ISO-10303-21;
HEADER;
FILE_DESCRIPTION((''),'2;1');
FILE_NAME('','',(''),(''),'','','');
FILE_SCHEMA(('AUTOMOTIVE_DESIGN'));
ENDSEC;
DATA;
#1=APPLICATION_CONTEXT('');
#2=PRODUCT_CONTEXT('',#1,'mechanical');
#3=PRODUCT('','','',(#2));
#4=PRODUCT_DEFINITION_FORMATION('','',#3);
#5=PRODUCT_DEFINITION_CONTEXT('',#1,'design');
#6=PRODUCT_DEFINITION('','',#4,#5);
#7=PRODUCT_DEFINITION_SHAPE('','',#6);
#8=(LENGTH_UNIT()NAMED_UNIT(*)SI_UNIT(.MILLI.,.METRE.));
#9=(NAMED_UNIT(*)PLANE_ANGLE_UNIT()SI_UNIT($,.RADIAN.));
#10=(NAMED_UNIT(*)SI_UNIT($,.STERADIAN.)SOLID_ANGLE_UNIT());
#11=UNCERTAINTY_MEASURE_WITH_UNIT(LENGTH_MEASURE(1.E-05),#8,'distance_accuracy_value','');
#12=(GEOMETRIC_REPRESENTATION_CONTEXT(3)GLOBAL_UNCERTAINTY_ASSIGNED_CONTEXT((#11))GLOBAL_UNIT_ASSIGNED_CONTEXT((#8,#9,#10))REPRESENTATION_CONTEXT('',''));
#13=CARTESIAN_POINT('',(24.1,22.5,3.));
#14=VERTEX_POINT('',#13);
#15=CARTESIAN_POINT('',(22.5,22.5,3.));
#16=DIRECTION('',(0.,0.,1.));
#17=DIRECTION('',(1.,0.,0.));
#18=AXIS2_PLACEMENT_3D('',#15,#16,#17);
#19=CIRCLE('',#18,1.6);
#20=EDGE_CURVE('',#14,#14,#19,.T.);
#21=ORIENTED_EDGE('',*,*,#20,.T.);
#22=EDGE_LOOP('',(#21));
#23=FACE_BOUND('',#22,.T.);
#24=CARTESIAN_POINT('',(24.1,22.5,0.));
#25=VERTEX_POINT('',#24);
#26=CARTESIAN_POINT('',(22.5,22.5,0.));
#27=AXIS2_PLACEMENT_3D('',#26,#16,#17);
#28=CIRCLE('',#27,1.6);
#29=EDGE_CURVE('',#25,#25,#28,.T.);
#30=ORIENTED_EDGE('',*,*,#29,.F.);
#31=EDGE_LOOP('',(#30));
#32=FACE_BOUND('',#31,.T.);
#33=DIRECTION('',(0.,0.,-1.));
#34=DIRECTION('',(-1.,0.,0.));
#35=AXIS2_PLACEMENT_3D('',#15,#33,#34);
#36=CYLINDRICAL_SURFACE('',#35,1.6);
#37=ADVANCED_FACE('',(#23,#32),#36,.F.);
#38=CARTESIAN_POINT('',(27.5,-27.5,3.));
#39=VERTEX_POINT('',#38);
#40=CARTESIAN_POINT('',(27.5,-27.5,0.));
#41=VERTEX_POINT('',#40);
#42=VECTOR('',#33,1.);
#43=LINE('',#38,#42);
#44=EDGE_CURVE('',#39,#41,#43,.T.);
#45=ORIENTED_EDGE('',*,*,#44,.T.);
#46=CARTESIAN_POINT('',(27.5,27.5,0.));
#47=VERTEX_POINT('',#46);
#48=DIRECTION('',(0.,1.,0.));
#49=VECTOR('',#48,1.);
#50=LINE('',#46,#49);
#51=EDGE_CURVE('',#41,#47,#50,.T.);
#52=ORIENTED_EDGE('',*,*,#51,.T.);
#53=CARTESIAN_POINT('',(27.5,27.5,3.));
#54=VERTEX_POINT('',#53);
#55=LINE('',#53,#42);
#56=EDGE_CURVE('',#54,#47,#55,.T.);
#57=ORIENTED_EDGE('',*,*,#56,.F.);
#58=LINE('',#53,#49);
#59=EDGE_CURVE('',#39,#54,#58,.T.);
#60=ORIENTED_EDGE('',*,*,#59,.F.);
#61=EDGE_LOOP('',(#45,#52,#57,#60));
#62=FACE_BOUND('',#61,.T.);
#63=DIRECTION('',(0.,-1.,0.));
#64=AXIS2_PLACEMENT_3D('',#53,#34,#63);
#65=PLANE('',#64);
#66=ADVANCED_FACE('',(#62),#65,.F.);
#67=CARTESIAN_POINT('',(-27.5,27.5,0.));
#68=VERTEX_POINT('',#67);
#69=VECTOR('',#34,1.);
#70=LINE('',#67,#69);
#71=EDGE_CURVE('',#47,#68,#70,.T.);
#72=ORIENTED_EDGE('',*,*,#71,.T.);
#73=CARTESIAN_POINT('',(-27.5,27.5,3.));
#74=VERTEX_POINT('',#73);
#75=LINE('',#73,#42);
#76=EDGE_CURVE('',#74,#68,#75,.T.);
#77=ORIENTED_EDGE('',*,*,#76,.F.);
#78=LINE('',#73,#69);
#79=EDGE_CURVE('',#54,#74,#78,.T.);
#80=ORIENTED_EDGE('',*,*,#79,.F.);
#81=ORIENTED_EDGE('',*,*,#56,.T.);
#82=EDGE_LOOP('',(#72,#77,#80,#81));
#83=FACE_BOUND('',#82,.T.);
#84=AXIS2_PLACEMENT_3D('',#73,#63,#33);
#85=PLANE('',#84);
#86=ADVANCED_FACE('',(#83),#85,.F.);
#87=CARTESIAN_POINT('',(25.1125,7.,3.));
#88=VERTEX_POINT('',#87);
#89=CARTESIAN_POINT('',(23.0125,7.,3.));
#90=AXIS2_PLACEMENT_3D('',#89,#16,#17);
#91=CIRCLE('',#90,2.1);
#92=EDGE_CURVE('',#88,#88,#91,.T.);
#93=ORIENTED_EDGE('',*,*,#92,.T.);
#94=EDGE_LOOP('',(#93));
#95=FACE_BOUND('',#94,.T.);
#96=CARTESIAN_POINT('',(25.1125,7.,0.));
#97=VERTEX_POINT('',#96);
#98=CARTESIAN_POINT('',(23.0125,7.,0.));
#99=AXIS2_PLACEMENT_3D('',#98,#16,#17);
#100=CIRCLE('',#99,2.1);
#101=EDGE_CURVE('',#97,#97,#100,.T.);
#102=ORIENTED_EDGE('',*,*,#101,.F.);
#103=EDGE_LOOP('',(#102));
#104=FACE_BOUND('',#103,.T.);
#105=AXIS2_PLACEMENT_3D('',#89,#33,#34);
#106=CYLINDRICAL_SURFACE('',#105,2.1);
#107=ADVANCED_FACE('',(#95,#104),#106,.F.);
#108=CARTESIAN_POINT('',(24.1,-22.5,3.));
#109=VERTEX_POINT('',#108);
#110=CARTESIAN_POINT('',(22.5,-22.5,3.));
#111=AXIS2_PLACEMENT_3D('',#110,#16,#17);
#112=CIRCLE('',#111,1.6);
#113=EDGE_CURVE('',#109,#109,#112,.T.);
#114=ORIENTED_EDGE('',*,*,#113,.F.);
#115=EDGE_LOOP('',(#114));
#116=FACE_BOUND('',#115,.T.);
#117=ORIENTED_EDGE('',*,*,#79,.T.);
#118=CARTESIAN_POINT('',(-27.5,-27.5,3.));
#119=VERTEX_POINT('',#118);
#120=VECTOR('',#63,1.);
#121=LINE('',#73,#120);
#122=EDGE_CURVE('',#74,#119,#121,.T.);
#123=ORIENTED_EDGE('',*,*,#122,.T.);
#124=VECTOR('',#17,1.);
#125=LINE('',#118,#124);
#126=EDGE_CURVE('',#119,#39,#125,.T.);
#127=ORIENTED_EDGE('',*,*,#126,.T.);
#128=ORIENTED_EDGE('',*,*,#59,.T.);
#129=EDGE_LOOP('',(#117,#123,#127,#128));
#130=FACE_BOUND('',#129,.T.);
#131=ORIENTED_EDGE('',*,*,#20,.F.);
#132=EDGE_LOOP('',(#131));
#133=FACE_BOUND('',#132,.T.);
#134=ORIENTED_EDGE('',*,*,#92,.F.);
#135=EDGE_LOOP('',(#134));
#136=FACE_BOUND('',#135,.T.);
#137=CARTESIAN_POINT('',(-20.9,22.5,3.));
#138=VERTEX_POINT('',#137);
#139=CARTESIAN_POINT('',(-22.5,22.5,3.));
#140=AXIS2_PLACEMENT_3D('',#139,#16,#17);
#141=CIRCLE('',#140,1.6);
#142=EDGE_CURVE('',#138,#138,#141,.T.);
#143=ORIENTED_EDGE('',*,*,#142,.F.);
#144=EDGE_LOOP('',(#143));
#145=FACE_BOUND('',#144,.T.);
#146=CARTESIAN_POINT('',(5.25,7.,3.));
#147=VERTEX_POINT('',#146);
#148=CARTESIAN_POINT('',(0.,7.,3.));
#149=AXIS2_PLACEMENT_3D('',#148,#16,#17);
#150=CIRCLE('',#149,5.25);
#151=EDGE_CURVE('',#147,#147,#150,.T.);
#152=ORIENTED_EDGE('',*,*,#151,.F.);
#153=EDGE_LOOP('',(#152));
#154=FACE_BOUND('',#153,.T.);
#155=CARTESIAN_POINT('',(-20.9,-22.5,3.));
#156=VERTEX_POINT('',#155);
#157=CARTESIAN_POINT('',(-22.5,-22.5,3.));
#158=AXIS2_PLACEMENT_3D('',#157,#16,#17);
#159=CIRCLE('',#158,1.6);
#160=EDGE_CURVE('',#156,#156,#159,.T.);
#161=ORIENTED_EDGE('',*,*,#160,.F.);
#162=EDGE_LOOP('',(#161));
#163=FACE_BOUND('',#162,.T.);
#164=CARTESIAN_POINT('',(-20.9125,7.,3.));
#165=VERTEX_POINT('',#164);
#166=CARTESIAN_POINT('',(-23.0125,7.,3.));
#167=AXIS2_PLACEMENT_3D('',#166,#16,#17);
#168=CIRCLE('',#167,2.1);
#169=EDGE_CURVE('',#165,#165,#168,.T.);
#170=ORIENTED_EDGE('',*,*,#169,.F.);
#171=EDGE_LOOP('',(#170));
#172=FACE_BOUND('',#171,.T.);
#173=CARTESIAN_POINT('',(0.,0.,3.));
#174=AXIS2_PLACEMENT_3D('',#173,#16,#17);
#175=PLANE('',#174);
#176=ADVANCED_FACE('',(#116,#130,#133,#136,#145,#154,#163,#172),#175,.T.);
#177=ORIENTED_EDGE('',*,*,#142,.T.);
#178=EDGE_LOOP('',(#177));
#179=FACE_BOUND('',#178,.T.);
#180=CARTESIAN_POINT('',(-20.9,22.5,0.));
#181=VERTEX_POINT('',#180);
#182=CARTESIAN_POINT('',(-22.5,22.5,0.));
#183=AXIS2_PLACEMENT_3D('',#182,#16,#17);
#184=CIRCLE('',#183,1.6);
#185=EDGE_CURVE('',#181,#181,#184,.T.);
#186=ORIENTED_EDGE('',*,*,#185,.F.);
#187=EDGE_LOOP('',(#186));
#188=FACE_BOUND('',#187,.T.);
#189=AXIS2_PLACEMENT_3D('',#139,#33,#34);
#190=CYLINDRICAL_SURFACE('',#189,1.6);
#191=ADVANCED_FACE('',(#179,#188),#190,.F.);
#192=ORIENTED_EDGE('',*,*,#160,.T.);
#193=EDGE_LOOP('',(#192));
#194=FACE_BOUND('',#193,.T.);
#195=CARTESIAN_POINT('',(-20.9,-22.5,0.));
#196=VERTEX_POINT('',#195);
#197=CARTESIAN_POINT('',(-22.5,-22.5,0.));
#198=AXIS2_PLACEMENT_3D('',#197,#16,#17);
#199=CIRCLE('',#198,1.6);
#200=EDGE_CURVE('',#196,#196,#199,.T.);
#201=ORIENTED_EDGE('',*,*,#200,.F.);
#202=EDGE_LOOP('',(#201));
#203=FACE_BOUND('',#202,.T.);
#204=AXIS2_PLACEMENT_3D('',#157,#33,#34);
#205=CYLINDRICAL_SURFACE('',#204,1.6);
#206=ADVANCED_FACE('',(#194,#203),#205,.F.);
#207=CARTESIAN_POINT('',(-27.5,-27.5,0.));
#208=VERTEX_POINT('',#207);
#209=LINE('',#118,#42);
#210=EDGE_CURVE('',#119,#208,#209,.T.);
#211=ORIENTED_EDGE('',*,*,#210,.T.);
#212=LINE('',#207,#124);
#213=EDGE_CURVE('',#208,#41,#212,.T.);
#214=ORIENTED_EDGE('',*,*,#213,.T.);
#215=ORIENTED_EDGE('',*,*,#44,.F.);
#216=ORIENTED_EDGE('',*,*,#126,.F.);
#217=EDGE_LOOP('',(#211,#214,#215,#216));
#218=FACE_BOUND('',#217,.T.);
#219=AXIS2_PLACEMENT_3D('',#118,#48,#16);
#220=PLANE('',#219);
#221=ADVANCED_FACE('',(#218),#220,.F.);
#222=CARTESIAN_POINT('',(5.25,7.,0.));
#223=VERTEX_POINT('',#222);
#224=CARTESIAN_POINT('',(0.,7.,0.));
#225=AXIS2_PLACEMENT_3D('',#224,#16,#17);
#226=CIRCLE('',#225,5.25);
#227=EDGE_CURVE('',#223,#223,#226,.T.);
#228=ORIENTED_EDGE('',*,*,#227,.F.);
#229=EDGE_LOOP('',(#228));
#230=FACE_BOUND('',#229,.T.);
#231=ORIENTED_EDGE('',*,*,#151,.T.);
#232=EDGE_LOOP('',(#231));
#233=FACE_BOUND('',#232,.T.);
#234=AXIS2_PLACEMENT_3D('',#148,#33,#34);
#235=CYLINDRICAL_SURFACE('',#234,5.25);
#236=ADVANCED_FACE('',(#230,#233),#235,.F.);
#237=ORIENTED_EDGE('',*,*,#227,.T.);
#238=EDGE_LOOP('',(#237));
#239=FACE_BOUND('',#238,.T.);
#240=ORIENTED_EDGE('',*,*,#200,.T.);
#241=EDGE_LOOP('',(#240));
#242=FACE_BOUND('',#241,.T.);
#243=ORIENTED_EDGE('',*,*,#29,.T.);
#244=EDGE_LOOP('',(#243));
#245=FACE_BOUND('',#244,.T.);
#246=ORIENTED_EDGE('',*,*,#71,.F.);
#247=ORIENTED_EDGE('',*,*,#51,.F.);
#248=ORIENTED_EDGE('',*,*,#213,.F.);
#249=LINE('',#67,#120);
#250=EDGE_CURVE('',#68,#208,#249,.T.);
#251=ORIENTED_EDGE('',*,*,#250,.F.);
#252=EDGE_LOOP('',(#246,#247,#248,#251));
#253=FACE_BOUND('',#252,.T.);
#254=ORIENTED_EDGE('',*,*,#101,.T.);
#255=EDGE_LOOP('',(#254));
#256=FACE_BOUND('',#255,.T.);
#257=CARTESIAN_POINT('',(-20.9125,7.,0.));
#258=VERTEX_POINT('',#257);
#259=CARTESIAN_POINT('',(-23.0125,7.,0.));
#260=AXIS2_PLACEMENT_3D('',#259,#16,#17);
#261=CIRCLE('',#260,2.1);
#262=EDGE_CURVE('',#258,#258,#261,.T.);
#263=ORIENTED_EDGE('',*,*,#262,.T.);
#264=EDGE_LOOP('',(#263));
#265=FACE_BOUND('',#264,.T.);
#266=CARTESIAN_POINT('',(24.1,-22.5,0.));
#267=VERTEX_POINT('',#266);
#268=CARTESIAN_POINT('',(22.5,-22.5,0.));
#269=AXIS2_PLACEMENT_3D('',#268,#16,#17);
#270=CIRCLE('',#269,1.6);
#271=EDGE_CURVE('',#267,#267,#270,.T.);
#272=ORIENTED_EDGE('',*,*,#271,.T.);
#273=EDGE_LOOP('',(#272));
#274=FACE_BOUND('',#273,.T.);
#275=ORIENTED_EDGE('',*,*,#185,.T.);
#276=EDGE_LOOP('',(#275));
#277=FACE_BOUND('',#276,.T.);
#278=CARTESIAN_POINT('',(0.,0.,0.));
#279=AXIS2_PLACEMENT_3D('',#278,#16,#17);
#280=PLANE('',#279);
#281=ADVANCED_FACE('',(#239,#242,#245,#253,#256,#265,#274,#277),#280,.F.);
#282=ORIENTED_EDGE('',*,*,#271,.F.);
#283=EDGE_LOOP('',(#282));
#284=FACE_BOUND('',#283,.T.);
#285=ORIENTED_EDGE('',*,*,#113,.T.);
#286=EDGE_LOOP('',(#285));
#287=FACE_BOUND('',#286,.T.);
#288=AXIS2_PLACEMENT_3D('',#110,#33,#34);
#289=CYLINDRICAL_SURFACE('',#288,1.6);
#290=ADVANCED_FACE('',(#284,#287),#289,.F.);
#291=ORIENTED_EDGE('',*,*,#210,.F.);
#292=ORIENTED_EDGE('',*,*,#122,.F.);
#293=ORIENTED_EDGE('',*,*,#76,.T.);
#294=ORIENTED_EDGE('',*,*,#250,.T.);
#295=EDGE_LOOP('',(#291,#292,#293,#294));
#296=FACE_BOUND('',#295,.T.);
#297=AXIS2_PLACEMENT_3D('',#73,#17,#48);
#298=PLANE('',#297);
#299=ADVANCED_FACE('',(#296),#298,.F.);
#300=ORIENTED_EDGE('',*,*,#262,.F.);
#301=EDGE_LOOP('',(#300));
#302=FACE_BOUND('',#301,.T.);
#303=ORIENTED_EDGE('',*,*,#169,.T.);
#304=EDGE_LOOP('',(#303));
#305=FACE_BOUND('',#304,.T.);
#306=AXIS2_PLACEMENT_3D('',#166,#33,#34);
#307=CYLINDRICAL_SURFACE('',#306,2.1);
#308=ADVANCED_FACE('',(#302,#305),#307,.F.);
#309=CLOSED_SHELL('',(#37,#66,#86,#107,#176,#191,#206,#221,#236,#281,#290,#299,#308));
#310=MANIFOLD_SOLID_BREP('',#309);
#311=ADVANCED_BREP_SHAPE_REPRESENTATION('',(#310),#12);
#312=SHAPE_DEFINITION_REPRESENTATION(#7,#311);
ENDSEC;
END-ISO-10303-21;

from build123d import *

# Parameters (mm, degrees)
SKETCH_1_W      = 55
SKETCH_1_H      = 55
SKETCH_1_R      = 5.25
SKETCH_1_R_2    = 1.6
SKETCH_1_R_3    = 2.1
EXTRUDE_1_DEPTH = 3


with BuildPart() as part:
    # ｽｹｯﾁ1 → ﾎﾞｽ - 押し出し1 (new body)
    with BuildSketch(Plane.XY):
        Rectangle(SKETCH_1_W, SKETCH_1_H)
        with Locations((0, 7)):
            Circle(SKETCH_1_R, mode=Mode.SUBTRACT)
        with Locations((-22.5, 22.5)):
            Circle(SKETCH_1_R_2, mode=Mode.SUBTRACT)
        with Locations((22.5, 22.5)):
            Circle(SKETCH_1_R_2, mode=Mode.SUBTRACT)
        with Locations((-22.5, -22.5)):
            Circle(SKETCH_1_R_2, mode=Mode.SUBTRACT)
        with Locations((22.5, -22.5)):
            Circle(SKETCH_1_R_2, mode=Mode.SUBTRACT)
        with Locations((-23.0125, 7)):
            Circle(SKETCH_1_R_3, mode=Mode.SUBTRACT)
        with Locations((23.0125, 7)):
            Circle(SKETCH_1_R_3, mode=Mode.SUBTRACT)
    extrude(amount=EXTRUDE_1_DEPTH)


solid = part.part
